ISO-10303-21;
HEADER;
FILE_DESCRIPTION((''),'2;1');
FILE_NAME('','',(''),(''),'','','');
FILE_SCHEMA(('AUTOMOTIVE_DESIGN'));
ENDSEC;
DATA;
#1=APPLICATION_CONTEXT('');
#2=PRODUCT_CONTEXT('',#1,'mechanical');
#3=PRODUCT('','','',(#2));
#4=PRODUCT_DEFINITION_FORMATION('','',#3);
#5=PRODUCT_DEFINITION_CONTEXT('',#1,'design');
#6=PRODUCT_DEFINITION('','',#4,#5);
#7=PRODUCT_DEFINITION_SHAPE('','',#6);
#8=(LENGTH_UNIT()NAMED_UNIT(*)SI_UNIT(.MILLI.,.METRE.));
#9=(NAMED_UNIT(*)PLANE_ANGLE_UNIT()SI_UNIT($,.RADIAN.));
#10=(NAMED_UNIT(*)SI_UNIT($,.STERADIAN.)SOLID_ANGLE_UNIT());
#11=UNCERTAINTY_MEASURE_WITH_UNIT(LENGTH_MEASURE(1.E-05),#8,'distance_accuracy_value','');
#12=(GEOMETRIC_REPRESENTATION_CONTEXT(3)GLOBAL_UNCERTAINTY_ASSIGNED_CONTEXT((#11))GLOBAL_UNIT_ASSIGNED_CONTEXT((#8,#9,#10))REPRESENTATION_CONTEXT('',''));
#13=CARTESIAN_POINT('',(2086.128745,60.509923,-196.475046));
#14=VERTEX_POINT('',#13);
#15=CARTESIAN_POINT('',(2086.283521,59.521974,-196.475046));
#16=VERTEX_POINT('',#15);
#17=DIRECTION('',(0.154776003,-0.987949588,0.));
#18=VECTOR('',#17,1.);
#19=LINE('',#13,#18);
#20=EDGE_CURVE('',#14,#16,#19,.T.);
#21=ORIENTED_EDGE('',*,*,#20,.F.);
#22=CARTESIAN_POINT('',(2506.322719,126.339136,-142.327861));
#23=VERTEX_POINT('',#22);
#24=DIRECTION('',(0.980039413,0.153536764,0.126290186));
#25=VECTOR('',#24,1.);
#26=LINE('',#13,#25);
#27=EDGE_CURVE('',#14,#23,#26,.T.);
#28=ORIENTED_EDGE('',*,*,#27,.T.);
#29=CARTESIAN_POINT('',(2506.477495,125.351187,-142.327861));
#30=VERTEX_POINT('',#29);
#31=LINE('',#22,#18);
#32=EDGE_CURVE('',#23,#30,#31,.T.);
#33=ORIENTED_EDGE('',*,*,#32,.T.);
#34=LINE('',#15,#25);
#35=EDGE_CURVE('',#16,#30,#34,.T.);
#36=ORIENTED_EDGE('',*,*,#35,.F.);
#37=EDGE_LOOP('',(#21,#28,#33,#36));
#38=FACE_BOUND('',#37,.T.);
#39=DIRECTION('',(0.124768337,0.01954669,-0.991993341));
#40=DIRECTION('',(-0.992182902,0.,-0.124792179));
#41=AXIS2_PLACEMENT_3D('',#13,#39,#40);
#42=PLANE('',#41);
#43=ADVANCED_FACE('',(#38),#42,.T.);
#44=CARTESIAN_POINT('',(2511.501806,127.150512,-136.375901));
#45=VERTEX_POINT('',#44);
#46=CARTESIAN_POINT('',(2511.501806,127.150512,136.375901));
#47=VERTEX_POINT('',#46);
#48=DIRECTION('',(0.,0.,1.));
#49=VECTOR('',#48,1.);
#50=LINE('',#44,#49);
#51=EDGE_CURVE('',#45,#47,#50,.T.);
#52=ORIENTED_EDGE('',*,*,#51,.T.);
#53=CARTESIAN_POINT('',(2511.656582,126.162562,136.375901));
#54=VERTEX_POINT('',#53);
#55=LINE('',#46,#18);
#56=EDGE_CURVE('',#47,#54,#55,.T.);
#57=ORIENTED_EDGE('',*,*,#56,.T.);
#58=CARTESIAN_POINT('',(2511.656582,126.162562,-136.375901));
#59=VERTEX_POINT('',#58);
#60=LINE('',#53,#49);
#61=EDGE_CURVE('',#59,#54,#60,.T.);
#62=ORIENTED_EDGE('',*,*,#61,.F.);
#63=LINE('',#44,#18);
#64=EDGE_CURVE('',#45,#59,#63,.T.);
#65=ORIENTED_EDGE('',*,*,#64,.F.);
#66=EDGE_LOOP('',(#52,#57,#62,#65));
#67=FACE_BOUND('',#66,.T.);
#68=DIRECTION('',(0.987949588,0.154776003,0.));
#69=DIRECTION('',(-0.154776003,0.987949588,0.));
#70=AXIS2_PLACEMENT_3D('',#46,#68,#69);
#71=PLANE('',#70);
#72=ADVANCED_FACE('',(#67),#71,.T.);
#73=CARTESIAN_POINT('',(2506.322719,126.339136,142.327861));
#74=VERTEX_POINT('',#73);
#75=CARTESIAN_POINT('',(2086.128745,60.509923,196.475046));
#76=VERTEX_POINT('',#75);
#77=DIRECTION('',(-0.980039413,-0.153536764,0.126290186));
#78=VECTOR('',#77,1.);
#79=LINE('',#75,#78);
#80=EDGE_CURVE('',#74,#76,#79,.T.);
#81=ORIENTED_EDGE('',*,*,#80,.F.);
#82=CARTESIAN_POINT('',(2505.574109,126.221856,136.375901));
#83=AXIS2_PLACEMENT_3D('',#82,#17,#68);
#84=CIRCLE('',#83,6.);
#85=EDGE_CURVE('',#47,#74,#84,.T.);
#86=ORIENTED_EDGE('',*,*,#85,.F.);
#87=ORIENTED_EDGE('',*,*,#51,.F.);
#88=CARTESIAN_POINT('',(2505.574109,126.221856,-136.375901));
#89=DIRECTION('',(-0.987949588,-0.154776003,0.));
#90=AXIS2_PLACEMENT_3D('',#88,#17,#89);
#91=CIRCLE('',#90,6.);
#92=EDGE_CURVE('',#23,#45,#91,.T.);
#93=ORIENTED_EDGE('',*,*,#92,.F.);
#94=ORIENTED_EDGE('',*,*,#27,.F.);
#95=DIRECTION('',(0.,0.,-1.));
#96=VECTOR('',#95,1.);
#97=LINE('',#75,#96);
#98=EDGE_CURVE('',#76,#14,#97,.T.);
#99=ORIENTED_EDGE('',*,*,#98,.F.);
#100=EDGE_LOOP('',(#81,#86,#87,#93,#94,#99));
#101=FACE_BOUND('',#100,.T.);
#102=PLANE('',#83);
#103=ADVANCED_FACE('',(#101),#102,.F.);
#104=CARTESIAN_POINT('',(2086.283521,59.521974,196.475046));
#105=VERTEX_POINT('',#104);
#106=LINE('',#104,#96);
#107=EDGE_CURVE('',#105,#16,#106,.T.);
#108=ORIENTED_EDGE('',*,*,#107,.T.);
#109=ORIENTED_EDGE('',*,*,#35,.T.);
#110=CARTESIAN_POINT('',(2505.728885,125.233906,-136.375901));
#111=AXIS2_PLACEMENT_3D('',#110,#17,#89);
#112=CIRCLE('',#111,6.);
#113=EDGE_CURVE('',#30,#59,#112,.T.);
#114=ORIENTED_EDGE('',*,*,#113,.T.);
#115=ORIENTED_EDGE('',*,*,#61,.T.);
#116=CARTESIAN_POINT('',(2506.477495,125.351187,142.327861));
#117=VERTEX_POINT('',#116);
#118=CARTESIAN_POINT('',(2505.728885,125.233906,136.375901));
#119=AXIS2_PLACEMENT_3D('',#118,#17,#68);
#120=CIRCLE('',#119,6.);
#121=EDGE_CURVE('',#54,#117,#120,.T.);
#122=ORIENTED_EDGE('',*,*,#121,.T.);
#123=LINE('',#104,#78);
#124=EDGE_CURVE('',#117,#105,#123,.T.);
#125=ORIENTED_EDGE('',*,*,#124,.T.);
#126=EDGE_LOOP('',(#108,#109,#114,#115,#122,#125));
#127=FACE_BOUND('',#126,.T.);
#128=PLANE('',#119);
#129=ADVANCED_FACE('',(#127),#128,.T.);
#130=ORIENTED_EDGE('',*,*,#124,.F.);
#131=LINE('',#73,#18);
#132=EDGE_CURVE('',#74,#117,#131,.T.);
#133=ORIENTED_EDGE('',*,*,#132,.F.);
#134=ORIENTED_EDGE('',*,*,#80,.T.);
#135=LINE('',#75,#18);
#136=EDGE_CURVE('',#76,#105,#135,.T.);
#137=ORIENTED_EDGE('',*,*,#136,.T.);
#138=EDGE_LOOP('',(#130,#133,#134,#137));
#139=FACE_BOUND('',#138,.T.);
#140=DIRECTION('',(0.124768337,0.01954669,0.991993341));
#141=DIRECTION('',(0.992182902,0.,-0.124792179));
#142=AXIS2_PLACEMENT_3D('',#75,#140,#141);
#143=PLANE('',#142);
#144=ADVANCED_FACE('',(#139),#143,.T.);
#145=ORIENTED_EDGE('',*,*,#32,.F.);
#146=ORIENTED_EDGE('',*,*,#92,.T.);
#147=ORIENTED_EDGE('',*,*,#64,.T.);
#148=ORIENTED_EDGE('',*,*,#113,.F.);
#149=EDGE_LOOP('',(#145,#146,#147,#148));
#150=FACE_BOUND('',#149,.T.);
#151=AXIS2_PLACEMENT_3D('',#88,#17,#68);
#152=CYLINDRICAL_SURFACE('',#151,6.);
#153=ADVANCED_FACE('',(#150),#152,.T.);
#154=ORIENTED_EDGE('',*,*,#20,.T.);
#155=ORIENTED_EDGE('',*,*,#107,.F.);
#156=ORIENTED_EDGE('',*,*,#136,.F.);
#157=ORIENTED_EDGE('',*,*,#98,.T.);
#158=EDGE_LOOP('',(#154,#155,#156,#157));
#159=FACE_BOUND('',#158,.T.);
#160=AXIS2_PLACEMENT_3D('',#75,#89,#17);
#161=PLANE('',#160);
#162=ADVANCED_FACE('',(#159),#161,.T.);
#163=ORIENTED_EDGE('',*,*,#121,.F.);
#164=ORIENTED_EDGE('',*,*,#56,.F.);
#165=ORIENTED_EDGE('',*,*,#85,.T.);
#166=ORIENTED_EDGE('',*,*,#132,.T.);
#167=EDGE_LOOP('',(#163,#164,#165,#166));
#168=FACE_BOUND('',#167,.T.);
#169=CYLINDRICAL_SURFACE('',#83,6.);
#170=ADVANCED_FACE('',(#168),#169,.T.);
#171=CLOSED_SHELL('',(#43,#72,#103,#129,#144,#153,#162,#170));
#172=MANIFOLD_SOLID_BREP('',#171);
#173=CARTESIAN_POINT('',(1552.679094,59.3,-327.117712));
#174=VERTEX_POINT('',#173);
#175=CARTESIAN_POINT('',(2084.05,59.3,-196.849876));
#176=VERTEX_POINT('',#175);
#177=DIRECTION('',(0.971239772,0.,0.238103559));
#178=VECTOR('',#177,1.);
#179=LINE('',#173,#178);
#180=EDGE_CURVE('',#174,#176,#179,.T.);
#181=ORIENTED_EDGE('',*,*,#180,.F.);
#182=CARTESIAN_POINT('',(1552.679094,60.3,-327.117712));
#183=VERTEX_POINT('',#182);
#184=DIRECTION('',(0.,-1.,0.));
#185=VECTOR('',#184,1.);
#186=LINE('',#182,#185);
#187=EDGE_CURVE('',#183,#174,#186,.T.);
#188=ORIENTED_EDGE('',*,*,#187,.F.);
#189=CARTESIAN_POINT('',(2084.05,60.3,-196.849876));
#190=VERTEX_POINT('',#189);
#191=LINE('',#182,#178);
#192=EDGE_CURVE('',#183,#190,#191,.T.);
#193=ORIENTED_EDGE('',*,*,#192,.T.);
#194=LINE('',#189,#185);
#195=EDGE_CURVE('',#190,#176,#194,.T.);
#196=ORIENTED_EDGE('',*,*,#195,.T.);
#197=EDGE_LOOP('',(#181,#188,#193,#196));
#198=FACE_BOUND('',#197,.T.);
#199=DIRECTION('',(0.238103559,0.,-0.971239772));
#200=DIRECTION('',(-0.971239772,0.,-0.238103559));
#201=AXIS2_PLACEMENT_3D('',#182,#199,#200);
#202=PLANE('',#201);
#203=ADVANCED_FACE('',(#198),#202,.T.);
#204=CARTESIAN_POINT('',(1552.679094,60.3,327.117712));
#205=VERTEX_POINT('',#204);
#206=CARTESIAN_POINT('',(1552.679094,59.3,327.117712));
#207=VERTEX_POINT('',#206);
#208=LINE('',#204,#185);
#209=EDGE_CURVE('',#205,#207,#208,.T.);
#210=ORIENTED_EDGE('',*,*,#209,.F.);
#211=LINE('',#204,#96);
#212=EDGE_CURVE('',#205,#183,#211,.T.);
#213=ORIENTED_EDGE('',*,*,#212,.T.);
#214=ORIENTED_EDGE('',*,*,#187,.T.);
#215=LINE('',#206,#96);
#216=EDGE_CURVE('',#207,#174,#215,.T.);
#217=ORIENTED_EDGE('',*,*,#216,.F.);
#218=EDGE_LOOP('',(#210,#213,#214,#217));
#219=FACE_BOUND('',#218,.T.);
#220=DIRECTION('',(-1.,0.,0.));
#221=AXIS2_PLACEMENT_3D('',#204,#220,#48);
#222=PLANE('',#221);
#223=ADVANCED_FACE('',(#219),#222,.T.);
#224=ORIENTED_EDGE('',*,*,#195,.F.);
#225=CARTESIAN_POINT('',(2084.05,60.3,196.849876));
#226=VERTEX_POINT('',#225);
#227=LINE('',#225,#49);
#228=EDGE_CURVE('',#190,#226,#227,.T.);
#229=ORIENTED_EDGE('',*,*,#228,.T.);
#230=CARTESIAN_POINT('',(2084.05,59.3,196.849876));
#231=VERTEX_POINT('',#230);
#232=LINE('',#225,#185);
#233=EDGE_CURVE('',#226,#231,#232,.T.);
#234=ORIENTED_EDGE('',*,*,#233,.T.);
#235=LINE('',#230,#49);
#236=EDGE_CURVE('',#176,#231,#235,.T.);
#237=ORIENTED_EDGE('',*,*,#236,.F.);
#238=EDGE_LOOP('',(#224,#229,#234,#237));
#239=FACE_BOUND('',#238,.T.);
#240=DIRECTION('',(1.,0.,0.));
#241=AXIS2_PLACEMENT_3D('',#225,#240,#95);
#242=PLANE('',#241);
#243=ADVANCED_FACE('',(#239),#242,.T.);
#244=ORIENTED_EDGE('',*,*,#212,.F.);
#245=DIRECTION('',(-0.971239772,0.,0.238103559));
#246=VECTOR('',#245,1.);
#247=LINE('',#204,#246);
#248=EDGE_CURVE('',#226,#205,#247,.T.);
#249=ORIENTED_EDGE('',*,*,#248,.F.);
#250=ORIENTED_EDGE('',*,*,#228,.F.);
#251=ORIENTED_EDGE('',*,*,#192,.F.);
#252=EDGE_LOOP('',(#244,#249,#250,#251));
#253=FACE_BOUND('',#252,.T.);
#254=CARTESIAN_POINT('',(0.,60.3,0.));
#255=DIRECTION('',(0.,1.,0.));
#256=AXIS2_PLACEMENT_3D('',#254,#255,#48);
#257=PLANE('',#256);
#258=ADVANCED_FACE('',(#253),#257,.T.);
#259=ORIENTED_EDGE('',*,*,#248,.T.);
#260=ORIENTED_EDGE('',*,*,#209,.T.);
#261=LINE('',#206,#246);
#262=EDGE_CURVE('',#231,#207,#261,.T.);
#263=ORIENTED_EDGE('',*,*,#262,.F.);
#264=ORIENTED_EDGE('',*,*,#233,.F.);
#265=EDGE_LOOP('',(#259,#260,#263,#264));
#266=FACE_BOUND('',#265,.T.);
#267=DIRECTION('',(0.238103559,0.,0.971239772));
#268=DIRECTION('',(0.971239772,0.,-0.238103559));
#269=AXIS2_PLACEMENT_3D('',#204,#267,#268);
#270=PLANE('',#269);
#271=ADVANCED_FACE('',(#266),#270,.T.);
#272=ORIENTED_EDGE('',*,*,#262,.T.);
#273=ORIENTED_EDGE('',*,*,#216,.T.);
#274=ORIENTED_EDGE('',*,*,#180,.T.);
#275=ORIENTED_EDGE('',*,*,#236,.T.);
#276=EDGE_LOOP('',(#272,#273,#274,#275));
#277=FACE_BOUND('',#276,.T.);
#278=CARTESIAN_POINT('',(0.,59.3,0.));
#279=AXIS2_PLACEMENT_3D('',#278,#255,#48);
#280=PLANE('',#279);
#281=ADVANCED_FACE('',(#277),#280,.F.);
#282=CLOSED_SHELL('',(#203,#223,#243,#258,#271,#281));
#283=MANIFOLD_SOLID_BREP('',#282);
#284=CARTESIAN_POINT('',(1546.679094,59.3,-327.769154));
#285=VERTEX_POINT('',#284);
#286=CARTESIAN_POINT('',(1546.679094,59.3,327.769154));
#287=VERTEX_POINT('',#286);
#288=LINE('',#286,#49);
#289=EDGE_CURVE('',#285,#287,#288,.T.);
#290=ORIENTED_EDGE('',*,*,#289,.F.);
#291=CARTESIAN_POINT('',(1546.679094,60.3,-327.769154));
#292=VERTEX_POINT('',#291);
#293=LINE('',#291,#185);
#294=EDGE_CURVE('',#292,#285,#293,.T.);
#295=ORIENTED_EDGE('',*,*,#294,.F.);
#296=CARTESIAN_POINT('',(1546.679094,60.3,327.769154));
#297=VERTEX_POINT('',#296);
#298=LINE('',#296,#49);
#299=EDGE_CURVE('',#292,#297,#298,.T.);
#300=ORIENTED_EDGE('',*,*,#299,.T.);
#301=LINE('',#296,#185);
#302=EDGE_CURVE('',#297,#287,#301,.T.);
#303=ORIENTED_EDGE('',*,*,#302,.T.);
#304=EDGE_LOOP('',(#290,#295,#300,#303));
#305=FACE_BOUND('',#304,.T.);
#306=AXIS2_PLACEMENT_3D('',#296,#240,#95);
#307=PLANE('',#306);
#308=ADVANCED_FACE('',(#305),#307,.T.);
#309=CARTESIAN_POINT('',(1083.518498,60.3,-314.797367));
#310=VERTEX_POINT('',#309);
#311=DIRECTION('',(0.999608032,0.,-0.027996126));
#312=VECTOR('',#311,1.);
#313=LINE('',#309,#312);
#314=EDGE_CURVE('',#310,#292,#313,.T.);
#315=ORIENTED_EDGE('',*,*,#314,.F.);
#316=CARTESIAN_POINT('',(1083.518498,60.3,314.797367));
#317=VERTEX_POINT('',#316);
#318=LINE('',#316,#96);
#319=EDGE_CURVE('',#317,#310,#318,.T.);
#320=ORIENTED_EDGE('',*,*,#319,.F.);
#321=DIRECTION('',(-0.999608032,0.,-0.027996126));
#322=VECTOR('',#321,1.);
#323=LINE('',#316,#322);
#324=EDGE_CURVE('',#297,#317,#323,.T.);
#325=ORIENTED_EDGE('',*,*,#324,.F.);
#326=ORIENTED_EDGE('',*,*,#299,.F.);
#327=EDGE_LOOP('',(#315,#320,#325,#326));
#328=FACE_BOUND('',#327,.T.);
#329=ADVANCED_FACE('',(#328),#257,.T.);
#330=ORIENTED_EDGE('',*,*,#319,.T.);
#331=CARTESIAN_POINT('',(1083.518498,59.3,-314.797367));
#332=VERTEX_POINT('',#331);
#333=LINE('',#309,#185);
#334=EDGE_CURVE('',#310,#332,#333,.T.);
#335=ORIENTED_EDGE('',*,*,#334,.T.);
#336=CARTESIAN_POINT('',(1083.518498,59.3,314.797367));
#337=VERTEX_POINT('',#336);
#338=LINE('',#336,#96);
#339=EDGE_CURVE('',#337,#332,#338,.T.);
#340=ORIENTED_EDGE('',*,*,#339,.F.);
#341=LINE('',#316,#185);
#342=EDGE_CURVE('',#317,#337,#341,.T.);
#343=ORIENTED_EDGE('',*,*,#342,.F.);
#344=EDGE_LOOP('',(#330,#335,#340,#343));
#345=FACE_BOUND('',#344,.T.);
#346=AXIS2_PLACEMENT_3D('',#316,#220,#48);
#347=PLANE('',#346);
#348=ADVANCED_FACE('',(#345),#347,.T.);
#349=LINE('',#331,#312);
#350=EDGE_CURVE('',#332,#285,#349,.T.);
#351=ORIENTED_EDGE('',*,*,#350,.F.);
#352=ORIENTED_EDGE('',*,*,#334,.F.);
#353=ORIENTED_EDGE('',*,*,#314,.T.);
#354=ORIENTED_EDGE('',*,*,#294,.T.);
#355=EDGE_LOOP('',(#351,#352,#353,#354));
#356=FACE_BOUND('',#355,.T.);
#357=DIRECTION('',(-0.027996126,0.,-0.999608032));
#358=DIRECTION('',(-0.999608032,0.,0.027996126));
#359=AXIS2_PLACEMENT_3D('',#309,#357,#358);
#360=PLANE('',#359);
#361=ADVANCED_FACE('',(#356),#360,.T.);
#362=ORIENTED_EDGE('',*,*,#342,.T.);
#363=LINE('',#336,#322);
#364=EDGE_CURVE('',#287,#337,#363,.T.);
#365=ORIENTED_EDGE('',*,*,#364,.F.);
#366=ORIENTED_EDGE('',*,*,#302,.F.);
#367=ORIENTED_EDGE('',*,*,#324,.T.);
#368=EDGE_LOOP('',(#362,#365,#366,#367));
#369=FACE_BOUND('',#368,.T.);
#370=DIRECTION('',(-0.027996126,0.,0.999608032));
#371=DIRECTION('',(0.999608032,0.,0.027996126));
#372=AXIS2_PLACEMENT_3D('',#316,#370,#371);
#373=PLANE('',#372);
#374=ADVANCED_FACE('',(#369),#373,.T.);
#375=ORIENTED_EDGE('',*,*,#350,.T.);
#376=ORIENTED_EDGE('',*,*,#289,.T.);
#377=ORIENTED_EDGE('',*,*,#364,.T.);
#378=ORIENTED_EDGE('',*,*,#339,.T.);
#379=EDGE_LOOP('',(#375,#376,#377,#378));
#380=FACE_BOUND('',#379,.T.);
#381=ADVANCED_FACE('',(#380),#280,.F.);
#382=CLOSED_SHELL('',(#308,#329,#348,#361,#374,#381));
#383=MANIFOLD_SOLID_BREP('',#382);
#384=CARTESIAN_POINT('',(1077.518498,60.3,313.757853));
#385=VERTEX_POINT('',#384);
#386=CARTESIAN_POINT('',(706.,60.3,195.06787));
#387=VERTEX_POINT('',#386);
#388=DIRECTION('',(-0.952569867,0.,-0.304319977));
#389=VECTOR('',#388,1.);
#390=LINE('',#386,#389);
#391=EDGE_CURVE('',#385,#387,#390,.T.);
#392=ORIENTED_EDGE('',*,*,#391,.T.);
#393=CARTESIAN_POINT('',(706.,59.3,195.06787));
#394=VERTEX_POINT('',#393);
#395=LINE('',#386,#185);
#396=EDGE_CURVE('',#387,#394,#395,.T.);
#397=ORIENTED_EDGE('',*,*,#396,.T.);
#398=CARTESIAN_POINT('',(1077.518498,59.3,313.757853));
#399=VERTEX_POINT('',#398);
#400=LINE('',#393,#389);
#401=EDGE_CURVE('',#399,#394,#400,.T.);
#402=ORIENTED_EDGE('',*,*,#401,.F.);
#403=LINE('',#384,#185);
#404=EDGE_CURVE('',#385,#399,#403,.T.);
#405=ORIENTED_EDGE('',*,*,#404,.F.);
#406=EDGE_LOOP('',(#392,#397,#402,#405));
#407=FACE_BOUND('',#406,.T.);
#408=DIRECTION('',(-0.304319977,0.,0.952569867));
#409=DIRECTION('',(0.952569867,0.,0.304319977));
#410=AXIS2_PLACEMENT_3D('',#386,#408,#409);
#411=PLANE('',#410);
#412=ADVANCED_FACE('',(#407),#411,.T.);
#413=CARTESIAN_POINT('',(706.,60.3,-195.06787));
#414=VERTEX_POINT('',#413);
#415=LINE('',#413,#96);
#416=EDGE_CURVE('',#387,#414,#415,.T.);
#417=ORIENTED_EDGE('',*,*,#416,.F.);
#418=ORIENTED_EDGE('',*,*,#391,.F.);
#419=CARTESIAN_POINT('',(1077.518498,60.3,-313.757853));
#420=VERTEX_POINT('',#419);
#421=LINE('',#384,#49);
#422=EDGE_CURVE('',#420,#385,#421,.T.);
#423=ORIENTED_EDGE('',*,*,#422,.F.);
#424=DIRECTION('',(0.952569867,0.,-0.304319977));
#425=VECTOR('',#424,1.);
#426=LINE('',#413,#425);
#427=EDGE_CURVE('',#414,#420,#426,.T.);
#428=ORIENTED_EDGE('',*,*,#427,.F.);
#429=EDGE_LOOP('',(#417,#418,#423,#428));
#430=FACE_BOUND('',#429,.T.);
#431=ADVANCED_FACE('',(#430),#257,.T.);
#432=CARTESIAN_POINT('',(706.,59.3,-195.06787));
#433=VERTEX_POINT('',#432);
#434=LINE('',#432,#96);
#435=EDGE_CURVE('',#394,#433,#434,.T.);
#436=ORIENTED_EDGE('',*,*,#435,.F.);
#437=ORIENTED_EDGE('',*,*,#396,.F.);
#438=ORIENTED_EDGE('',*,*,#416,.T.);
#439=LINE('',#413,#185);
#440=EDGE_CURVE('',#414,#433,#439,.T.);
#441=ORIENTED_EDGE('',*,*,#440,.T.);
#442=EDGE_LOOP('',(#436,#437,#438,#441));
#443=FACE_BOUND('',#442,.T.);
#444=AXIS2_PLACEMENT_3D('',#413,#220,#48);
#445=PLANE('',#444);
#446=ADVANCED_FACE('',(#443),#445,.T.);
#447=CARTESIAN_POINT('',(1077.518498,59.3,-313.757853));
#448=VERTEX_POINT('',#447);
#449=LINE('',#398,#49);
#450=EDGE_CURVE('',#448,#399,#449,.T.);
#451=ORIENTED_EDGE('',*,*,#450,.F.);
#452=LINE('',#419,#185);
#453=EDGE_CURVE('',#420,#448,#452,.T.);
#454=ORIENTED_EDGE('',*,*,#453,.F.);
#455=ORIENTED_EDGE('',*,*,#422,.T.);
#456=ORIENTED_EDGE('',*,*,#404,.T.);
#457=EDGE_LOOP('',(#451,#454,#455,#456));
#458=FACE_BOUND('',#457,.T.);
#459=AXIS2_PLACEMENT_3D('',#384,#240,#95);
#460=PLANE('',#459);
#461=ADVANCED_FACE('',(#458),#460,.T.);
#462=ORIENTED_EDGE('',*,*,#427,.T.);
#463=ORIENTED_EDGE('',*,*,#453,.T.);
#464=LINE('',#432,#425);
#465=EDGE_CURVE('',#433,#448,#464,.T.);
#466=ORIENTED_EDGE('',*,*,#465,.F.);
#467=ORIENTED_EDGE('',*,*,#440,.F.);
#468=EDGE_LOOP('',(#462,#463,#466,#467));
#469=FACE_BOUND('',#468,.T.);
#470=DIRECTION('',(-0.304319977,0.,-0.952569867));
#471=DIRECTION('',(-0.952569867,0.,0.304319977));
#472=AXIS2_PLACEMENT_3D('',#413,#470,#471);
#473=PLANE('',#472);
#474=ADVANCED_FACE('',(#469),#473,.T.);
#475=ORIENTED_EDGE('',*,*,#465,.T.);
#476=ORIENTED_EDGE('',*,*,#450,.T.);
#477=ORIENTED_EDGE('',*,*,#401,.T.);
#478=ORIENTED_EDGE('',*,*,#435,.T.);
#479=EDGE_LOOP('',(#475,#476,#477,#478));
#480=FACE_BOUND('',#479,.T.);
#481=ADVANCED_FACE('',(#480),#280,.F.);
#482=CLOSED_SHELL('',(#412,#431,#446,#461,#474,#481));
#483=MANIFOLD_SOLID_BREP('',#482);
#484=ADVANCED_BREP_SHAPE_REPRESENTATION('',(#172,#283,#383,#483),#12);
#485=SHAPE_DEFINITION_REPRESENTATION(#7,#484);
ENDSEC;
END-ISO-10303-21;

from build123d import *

# Parameters (mm, degrees)
BOSS_EXTRUDE1_DEPTH         = 1
BOSS_EXTRUDE1_2_DEPTH       = 1
BOSS_EXTRUDE1_3_DEPTH       = 1
BOSS_EXTRUDEREARFLOOR_START = -1
BOSS_EXTRUDEREARFLOOR_DEPTH = 1


with BuildPart() as part:
    # Sketch1 → Boss-Extrude1 (new body)
    with BuildSketch(Plane.XZ.offset(-59.3)):
        Polygon((2084.05, 196.849875822), (2084.05, -196.849875822), (1552.679093518, -327.117712255), (1552.679093518, 327.117712255), align=None)
    extrude(amount=-BOSS_EXTRUDE1_DEPTH)


with BuildPart() as body_2:
    # Sketch1 → Boss-Extrude1 2 (new body)
    with BuildSketch(Plane.XZ.offset(-59.3)):
        Polygon((1083.51849794, 314.797366573), (1083.51849794, -314.797366573), (1546.679093518, -327.769153695), (1546.679093518, 327.769153694), align=None)
    extrude(amount=-BOSS_EXTRUDE1_2_DEPTH)


with BuildPart() as body_3:
    # Sketch1 → Boss-Extrude1 3 (new body)
    with BuildSketch(Plane.XZ.offset(-59.3)):
        Polygon((1077.51849794, 313.757852783), (1077.51849794, -313.757852783), (706, -195.067870365), (706, 195.067870365), align=None)
    extrude(amount=-BOSS_EXTRUDE1_3_DEPTH)


with BuildPart() as body_4:
    # Sketch2 → Boss-ExtrudeRearFloor (new body)
    with BuildSketch(Plane(origin=(40.876638844, -260.919378418, 0), x_dir=(0.987949588, 0.154776003, 0), z_dir=(0.154776003, -0.987949588, 0)).offset(BOSS_EXTRUDEREARFLOOR_START)):
        with BuildLine():
            Line((2070.355518515, -196.475045869), (2495.674764696, -142.327861196))
            ThreePointArc((2495.674764696, -142.327861196), (2499.419603214, -140.34160117), (2500.917023581, -136.375901149))
            Line((2500.917023581, -136.375901149), (2500.917023581, -58.444774641))
            Line((2500.917023581, -58.444774641), (2500.917023581, 58.444774641))
            Line((2500.917023581, 58.444774641), (2500.917023581, 136.375901149))
            ThreePointArc((2500.917023581, 136.375901149), (2499.419603214, 140.34160117), (2495.674764696, 142.327861196))
            Line((2495.674764696, 142.327861196), (2070.355518515, 196.475045869))
            Line((2070.355518515, 196.475045869), (2070.355518515, -196.475045869))
        make_face()
    extrude(amount=BOSS_EXTRUDEREARFLOOR_DEPTH)


solid = Compound([part.part, body_2.part, body_3.part, body_4.part])
